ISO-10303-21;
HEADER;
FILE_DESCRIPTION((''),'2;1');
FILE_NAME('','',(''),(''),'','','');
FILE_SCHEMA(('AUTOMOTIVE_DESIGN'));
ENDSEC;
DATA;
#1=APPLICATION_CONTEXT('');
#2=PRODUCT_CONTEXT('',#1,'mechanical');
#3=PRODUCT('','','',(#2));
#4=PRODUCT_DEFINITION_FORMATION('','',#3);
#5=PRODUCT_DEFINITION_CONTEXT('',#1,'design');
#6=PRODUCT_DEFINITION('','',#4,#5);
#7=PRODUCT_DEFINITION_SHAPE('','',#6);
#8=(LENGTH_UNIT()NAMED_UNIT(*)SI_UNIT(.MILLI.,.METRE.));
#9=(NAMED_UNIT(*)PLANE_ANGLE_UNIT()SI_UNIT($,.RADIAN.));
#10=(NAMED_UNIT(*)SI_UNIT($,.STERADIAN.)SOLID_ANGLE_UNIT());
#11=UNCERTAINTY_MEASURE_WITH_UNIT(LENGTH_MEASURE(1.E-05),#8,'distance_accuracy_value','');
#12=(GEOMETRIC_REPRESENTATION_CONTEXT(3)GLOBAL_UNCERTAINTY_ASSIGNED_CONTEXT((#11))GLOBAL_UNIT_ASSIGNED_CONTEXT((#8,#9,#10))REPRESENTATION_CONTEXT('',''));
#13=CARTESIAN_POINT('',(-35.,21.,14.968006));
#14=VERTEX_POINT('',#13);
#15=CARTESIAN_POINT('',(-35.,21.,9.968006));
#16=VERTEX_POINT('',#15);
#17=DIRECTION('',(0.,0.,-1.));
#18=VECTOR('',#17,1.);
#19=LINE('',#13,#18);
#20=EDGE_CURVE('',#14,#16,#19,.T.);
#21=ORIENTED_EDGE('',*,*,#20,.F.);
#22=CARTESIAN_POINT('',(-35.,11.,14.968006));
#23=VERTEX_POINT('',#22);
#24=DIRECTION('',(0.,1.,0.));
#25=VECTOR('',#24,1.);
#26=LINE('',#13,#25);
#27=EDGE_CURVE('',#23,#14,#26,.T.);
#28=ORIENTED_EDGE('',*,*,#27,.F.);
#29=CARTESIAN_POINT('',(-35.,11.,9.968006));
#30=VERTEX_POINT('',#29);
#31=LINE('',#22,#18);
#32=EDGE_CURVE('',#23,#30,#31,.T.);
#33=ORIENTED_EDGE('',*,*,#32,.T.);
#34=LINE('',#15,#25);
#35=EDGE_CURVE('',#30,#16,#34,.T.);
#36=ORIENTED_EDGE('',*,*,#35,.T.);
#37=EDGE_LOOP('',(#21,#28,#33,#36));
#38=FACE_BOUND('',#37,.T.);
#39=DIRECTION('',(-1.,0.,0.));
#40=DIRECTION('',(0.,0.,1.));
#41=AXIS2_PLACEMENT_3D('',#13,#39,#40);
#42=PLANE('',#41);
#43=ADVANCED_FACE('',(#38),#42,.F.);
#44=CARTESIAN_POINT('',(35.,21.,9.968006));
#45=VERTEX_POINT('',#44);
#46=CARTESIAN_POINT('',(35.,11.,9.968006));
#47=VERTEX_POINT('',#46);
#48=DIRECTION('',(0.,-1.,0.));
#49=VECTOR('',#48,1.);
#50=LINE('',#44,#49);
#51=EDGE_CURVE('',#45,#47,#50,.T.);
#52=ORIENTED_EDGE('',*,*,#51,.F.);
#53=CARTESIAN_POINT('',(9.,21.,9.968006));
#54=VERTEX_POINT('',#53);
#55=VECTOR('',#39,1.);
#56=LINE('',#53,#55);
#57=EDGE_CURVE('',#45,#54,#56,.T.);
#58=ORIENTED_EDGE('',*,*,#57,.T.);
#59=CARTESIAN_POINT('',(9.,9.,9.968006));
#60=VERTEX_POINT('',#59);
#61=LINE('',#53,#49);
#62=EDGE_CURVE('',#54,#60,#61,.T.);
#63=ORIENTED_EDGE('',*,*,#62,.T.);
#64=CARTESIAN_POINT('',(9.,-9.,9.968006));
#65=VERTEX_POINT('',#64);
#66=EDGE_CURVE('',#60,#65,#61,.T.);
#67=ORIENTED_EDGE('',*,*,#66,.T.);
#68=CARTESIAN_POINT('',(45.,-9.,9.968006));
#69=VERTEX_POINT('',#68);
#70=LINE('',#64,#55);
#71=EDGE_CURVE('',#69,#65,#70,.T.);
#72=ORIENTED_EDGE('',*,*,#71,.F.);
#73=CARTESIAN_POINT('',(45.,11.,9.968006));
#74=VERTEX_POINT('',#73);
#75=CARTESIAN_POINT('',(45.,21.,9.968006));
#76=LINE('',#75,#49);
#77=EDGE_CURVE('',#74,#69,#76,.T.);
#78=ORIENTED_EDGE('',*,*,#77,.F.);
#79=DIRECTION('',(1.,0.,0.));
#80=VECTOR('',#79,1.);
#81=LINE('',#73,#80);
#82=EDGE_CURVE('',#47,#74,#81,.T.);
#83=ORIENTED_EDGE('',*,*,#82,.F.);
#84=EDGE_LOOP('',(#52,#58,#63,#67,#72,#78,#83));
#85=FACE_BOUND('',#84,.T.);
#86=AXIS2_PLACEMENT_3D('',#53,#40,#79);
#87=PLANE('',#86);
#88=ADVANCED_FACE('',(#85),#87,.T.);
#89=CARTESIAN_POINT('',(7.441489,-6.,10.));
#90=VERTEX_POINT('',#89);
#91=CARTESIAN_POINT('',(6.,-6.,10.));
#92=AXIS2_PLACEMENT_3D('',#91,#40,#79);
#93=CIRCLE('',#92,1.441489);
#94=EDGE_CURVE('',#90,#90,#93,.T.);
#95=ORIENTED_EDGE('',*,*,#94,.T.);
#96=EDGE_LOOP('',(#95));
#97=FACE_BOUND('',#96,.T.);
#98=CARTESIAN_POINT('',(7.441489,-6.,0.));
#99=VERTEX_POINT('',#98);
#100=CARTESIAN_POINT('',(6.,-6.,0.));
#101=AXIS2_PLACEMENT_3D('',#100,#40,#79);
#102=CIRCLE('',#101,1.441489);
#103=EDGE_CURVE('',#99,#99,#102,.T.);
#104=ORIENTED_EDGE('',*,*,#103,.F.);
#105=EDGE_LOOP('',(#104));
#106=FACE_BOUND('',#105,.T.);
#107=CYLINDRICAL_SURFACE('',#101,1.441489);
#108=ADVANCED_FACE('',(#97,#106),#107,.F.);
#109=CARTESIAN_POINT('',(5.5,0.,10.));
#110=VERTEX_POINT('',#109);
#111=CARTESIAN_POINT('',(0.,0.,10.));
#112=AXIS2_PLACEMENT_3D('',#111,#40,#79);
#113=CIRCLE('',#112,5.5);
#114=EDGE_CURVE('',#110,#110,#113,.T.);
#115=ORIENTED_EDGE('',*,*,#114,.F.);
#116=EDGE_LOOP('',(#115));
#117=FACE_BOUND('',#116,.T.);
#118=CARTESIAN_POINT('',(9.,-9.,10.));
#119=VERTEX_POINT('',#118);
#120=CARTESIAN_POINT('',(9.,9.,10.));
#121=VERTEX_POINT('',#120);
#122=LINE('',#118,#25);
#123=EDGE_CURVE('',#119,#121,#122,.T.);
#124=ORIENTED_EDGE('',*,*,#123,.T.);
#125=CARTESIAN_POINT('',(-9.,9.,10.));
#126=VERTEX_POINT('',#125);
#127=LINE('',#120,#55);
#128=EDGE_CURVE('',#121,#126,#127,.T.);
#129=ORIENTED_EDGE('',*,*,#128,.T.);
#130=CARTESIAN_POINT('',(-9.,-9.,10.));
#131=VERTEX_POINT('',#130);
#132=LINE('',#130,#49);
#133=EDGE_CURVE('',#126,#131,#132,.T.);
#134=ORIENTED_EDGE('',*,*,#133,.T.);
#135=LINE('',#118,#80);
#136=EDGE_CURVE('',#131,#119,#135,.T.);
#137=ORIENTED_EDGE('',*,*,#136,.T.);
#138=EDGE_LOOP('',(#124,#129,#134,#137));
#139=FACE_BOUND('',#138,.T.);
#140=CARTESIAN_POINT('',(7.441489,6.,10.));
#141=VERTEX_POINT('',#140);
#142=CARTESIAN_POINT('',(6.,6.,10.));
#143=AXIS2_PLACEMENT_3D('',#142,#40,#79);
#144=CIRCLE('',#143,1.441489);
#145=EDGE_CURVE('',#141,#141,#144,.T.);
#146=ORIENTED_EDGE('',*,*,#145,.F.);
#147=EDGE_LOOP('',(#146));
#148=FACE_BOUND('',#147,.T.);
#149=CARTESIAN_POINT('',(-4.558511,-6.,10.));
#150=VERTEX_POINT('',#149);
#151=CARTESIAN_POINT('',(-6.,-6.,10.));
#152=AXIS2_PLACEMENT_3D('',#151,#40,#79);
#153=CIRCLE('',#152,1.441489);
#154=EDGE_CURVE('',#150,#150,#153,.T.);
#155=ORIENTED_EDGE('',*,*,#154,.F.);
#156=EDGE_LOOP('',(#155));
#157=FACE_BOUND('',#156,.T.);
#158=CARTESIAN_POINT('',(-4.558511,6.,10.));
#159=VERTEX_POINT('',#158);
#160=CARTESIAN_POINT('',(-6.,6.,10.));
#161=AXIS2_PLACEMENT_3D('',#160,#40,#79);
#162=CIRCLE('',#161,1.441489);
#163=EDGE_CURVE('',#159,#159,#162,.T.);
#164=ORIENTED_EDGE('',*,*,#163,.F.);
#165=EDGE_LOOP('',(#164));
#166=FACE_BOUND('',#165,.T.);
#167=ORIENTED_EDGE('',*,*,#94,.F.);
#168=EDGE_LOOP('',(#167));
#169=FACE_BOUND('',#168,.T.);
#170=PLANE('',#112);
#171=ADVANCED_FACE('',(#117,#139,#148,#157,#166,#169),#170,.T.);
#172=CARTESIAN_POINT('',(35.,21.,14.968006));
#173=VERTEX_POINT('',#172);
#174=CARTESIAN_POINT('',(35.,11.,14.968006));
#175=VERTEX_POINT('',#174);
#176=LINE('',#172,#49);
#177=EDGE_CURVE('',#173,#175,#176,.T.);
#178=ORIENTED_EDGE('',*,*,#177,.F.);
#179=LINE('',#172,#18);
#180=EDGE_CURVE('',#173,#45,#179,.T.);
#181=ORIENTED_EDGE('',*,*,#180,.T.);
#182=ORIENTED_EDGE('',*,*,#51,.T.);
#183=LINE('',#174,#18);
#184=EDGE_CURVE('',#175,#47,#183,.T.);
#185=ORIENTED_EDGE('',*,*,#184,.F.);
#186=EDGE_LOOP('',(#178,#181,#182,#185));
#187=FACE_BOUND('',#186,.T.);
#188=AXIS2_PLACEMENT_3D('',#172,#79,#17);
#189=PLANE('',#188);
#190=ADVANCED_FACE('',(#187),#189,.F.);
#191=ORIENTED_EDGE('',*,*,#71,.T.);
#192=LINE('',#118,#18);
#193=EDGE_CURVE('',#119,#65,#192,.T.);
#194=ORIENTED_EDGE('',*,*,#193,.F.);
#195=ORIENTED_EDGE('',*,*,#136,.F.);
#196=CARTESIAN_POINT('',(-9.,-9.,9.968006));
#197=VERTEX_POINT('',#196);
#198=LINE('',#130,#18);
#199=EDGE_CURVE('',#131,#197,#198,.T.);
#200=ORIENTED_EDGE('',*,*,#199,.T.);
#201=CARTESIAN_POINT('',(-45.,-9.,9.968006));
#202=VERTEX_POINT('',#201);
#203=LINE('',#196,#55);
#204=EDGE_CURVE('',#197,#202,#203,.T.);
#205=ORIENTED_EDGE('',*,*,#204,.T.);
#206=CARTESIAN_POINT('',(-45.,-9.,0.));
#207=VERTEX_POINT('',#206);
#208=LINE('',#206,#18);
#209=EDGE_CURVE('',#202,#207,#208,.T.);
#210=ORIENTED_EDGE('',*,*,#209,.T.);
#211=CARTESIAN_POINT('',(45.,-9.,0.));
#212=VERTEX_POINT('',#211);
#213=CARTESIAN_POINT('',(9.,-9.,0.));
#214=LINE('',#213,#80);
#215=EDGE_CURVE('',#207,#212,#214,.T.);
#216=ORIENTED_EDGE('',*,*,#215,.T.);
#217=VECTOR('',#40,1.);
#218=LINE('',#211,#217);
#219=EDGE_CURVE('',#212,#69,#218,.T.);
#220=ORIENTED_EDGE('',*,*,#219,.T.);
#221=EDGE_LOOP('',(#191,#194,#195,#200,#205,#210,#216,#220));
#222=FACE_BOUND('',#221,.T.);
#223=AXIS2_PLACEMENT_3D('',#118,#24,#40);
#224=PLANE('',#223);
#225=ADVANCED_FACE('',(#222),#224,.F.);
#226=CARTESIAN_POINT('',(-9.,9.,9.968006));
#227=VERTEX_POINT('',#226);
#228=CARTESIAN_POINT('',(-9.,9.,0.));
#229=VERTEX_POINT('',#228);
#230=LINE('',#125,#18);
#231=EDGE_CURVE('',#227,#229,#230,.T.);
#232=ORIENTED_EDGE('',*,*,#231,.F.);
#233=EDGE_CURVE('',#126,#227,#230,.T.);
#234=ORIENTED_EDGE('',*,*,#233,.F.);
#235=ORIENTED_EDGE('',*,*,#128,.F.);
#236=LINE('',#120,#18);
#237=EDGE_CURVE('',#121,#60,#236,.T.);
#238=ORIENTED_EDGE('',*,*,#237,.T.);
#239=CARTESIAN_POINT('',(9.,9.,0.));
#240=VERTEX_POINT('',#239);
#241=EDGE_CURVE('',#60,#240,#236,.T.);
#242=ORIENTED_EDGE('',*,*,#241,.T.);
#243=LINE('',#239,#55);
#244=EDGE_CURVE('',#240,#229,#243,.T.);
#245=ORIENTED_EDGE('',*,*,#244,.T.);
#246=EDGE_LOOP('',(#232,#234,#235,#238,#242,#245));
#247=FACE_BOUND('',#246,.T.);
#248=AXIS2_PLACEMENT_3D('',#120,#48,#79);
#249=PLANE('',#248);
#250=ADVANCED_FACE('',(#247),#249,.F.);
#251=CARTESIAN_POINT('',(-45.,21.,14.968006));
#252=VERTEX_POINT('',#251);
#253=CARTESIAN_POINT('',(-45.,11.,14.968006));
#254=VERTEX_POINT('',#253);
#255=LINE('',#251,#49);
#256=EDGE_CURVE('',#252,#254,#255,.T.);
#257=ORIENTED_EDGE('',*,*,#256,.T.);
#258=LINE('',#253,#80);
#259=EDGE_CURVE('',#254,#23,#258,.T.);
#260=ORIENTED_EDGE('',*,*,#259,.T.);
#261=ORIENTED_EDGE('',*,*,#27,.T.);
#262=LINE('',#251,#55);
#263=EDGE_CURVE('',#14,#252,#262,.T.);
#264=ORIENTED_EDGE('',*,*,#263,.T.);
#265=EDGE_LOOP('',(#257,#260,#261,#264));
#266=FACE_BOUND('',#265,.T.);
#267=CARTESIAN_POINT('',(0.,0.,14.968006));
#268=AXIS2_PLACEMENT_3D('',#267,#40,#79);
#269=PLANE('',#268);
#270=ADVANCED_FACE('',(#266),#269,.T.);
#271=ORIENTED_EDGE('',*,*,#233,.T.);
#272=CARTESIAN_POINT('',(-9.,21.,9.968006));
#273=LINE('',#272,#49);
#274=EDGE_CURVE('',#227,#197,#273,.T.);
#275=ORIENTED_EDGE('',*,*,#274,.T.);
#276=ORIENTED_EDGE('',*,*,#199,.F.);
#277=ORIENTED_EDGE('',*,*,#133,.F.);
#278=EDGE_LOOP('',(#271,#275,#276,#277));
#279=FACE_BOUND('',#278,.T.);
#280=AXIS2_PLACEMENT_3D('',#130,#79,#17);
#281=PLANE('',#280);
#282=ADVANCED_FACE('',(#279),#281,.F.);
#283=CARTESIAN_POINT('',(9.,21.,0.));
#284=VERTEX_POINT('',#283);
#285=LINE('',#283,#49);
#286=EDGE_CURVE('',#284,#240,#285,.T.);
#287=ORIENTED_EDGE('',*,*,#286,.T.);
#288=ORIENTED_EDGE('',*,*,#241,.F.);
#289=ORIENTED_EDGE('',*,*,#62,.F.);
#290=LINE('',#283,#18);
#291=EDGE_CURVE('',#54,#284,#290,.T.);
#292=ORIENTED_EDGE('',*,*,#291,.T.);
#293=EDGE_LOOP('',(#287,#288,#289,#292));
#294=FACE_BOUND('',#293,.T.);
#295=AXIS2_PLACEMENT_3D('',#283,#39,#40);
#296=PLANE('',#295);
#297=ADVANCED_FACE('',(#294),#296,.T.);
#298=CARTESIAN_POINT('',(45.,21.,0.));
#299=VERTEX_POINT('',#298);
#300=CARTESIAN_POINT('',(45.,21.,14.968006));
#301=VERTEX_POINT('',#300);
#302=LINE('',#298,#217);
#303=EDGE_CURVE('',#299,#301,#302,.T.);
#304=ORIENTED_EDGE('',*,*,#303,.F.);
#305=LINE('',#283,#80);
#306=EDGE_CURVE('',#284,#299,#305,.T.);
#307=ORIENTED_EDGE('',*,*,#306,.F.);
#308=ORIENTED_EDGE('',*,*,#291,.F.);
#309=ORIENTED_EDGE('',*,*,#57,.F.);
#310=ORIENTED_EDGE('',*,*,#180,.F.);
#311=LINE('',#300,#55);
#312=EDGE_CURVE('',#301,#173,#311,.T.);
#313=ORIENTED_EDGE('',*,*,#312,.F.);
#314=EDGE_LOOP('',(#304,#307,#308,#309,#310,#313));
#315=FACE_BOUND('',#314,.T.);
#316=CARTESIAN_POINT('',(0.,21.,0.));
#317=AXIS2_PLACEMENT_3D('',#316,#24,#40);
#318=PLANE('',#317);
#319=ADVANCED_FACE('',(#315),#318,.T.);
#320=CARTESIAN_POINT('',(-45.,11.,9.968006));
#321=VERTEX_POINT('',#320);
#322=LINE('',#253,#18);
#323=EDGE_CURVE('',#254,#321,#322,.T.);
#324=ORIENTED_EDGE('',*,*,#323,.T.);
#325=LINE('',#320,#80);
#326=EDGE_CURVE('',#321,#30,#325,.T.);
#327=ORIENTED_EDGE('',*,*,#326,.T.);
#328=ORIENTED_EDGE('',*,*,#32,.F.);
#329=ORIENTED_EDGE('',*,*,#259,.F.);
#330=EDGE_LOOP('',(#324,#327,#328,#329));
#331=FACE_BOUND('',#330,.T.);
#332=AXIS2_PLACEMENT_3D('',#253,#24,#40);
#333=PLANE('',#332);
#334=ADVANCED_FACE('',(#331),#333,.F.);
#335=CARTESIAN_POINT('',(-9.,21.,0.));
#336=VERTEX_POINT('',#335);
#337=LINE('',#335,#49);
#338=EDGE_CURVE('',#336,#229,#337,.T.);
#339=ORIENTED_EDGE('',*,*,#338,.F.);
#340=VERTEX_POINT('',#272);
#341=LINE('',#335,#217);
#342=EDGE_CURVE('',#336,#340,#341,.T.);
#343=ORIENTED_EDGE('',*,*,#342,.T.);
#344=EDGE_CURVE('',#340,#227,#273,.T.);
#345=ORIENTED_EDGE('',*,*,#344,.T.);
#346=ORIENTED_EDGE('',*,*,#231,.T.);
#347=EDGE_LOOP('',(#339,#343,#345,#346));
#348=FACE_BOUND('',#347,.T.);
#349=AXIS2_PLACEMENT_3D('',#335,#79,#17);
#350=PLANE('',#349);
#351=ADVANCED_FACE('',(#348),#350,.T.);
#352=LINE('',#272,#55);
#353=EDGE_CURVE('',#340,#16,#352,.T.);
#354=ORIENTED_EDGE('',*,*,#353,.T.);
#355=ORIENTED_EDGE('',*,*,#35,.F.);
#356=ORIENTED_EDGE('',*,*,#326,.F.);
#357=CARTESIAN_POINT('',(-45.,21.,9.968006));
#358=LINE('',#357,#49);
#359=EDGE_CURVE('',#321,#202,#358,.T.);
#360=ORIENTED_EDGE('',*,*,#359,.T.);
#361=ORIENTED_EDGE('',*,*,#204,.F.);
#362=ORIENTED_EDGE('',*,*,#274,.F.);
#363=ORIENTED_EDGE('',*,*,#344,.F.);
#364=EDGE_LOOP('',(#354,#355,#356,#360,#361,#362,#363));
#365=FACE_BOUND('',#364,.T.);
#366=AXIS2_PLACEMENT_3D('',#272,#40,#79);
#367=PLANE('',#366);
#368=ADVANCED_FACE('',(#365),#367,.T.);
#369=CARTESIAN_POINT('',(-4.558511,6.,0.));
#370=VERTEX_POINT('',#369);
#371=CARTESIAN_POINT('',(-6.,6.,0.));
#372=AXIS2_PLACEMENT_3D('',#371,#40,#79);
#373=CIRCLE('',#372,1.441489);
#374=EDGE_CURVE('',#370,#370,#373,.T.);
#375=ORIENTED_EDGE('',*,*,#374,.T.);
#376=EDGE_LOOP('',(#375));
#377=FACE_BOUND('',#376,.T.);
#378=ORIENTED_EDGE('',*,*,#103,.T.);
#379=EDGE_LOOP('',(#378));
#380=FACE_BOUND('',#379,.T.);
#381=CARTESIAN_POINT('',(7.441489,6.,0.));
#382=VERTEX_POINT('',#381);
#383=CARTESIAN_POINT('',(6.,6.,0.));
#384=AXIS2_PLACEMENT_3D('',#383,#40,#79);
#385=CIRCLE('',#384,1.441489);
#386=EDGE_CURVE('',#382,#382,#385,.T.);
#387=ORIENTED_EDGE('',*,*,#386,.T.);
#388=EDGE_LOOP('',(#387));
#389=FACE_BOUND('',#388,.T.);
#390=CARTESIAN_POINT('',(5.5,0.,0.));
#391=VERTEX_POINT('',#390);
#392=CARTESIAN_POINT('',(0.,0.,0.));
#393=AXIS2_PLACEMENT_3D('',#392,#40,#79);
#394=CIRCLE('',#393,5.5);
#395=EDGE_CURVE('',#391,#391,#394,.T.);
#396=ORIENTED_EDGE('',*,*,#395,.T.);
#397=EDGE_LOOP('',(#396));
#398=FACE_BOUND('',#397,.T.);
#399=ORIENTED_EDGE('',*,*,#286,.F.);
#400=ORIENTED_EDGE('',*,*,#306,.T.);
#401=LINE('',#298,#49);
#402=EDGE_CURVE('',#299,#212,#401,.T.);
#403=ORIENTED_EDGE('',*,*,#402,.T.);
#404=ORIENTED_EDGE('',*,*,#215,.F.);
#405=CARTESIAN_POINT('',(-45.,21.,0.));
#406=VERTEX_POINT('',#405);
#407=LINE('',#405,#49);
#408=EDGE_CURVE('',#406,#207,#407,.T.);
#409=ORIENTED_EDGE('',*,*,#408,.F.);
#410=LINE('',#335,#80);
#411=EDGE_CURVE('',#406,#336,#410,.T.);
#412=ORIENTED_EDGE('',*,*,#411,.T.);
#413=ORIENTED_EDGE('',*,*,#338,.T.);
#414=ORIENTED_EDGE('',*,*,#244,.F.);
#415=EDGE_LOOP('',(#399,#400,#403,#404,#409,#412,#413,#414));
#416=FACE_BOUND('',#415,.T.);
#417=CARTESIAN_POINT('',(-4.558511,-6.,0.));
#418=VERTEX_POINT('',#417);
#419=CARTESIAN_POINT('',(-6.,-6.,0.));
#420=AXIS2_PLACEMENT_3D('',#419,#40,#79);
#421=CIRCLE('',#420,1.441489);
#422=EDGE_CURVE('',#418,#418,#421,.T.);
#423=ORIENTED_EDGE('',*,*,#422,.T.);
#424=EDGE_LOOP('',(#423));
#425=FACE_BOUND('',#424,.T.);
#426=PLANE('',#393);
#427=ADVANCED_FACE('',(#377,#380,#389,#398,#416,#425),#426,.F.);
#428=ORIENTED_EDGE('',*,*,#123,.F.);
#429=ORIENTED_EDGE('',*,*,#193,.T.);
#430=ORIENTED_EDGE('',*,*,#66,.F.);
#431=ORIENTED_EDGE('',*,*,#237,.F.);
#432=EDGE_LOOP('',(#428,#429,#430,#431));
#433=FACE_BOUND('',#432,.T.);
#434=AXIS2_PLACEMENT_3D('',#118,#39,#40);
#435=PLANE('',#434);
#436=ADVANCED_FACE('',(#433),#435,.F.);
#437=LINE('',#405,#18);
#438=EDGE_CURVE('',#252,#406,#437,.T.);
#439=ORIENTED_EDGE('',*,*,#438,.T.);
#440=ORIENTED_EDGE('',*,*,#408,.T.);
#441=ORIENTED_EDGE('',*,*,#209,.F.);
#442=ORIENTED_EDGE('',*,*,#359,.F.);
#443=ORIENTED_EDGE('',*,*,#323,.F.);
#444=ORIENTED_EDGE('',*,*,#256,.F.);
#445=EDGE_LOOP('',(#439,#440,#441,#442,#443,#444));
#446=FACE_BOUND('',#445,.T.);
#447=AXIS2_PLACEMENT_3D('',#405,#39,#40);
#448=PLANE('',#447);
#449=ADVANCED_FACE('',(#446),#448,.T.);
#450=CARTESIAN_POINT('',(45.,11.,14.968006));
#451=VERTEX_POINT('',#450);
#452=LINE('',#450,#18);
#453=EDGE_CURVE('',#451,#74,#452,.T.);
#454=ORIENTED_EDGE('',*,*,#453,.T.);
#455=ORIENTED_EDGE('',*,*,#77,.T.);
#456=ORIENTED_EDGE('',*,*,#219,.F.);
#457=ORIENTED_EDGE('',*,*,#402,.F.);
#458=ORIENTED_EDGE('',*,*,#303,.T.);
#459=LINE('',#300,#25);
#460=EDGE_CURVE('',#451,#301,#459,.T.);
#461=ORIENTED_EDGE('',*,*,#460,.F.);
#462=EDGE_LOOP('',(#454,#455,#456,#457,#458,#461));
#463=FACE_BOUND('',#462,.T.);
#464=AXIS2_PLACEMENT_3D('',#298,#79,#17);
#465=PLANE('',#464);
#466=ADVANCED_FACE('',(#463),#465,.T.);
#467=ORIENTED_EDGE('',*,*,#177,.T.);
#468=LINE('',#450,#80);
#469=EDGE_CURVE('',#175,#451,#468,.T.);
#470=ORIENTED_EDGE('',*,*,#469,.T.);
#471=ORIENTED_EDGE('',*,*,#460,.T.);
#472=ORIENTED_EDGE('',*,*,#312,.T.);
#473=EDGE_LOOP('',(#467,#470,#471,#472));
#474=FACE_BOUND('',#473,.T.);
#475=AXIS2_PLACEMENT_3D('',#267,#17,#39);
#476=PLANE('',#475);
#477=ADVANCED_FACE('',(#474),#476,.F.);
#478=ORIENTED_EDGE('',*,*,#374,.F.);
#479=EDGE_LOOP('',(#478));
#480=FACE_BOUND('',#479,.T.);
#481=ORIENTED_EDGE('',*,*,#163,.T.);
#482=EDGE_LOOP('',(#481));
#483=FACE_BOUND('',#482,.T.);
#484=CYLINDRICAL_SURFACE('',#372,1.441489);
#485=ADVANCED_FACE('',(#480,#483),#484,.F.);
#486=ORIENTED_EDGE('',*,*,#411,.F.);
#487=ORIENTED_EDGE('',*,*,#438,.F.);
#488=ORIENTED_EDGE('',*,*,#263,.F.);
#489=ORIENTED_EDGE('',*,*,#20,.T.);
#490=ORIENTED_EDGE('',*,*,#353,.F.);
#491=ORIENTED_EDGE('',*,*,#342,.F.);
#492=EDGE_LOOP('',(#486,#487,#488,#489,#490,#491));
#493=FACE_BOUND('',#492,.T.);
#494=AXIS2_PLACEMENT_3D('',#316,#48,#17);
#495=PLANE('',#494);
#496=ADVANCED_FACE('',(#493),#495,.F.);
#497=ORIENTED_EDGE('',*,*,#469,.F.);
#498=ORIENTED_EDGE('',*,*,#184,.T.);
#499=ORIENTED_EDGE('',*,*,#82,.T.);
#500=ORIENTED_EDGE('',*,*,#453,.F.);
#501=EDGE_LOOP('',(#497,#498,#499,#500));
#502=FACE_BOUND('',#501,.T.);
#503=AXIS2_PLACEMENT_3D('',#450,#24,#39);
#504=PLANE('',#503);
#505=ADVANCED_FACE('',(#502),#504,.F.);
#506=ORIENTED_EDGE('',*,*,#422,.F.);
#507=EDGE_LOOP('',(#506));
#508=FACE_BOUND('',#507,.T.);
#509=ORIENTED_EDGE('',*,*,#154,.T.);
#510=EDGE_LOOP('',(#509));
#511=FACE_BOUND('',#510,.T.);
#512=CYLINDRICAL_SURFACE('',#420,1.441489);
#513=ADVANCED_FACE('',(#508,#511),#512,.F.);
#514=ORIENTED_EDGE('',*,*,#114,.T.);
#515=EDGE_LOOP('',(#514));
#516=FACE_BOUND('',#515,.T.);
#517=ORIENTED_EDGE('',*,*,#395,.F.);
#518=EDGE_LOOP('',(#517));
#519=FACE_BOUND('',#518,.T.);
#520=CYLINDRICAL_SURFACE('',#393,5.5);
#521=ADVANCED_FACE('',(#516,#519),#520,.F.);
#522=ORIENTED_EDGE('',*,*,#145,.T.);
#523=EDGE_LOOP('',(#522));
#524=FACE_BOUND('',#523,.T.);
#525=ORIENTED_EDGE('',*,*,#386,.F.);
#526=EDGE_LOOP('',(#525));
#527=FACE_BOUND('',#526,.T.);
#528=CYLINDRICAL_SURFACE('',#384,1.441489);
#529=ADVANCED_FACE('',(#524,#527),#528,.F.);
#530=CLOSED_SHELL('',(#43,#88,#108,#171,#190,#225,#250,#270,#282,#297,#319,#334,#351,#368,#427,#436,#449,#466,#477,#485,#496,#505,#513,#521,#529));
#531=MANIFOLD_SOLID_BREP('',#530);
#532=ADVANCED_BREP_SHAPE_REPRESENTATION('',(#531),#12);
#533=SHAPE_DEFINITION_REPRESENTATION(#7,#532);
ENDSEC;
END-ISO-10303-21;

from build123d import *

# Parameters (mm, degrees)
SKETCH_1_W          = 18
SKETCH_1_H          = 18
EXTRUDE_1_DEPTH     = 10
SKETCH_2_R          = 1.441488503
SKETCH_2_R_2        = 5.5
CUT_EXTRUDE_1_DEPTH = 10
SKETCH_3_W          = 36
SKETCH_3_H          = 9.968006468
EXTRUDE_2_DEPTH     = 30
SKETCH_4_W          = 10
SKETCH_4_H          = 10
EXTRUDE_3_DEPTH     = 5


with BuildPart() as part:
    # 草图1 → 凸台-拉伸1 (new body)
    with BuildSketch(Plane.XY):
        Rectangle(SKETCH_1_W, SKETCH_1_H)
    extrude(amount=EXTRUDE_1_DEPTH)

    # 草图2 → 切除-拉伸1 (cut)
    with BuildSketch(Plane.XY.offset(10)):
        with Locations((-6, 6)):
            Circle(SKETCH_2_R)
        with Locations((6, 6)):
            Circle(SKETCH_2_R)
        with Locations((6, -6)):
            Circle(SKETCH_2_R)
        with Locations((-6, -6)):
            Circle(SKETCH_2_R)
        Circle(SKETCH_2_R_2)
    extrude(amount=-CUT_EXTRUDE_1_DEPTH, mode=Mode.SUBTRACT)

    # 草图3 → 凸台-拉伸2 (add)
    with BuildSketch(Plane.XZ.offset(9)):
        with Locations((-27, 4.984003234)):
            Rectangle(SKETCH_3_W, SKETCH_3_H)
        with Locations((27, 4.984003234)):
            Rectangle(SKETCH_3_W, SKETCH_3_H)
    extrude(amount=-EXTRUDE_2_DEPTH)

    # 草图4 → 凸台-拉伸3 (add)
    with BuildSketch(Plane.XY.offset(9.968006468)):
        with Locations((40, 16)):
            Rectangle(SKETCH_4_W, SKETCH_4_H)
        with Locations((-40, 16)):
            Rectangle(SKETCH_4_W, SKETCH_4_H)
    extrude(amount=EXTRUDE_3_DEPTH)


solid = part.part
